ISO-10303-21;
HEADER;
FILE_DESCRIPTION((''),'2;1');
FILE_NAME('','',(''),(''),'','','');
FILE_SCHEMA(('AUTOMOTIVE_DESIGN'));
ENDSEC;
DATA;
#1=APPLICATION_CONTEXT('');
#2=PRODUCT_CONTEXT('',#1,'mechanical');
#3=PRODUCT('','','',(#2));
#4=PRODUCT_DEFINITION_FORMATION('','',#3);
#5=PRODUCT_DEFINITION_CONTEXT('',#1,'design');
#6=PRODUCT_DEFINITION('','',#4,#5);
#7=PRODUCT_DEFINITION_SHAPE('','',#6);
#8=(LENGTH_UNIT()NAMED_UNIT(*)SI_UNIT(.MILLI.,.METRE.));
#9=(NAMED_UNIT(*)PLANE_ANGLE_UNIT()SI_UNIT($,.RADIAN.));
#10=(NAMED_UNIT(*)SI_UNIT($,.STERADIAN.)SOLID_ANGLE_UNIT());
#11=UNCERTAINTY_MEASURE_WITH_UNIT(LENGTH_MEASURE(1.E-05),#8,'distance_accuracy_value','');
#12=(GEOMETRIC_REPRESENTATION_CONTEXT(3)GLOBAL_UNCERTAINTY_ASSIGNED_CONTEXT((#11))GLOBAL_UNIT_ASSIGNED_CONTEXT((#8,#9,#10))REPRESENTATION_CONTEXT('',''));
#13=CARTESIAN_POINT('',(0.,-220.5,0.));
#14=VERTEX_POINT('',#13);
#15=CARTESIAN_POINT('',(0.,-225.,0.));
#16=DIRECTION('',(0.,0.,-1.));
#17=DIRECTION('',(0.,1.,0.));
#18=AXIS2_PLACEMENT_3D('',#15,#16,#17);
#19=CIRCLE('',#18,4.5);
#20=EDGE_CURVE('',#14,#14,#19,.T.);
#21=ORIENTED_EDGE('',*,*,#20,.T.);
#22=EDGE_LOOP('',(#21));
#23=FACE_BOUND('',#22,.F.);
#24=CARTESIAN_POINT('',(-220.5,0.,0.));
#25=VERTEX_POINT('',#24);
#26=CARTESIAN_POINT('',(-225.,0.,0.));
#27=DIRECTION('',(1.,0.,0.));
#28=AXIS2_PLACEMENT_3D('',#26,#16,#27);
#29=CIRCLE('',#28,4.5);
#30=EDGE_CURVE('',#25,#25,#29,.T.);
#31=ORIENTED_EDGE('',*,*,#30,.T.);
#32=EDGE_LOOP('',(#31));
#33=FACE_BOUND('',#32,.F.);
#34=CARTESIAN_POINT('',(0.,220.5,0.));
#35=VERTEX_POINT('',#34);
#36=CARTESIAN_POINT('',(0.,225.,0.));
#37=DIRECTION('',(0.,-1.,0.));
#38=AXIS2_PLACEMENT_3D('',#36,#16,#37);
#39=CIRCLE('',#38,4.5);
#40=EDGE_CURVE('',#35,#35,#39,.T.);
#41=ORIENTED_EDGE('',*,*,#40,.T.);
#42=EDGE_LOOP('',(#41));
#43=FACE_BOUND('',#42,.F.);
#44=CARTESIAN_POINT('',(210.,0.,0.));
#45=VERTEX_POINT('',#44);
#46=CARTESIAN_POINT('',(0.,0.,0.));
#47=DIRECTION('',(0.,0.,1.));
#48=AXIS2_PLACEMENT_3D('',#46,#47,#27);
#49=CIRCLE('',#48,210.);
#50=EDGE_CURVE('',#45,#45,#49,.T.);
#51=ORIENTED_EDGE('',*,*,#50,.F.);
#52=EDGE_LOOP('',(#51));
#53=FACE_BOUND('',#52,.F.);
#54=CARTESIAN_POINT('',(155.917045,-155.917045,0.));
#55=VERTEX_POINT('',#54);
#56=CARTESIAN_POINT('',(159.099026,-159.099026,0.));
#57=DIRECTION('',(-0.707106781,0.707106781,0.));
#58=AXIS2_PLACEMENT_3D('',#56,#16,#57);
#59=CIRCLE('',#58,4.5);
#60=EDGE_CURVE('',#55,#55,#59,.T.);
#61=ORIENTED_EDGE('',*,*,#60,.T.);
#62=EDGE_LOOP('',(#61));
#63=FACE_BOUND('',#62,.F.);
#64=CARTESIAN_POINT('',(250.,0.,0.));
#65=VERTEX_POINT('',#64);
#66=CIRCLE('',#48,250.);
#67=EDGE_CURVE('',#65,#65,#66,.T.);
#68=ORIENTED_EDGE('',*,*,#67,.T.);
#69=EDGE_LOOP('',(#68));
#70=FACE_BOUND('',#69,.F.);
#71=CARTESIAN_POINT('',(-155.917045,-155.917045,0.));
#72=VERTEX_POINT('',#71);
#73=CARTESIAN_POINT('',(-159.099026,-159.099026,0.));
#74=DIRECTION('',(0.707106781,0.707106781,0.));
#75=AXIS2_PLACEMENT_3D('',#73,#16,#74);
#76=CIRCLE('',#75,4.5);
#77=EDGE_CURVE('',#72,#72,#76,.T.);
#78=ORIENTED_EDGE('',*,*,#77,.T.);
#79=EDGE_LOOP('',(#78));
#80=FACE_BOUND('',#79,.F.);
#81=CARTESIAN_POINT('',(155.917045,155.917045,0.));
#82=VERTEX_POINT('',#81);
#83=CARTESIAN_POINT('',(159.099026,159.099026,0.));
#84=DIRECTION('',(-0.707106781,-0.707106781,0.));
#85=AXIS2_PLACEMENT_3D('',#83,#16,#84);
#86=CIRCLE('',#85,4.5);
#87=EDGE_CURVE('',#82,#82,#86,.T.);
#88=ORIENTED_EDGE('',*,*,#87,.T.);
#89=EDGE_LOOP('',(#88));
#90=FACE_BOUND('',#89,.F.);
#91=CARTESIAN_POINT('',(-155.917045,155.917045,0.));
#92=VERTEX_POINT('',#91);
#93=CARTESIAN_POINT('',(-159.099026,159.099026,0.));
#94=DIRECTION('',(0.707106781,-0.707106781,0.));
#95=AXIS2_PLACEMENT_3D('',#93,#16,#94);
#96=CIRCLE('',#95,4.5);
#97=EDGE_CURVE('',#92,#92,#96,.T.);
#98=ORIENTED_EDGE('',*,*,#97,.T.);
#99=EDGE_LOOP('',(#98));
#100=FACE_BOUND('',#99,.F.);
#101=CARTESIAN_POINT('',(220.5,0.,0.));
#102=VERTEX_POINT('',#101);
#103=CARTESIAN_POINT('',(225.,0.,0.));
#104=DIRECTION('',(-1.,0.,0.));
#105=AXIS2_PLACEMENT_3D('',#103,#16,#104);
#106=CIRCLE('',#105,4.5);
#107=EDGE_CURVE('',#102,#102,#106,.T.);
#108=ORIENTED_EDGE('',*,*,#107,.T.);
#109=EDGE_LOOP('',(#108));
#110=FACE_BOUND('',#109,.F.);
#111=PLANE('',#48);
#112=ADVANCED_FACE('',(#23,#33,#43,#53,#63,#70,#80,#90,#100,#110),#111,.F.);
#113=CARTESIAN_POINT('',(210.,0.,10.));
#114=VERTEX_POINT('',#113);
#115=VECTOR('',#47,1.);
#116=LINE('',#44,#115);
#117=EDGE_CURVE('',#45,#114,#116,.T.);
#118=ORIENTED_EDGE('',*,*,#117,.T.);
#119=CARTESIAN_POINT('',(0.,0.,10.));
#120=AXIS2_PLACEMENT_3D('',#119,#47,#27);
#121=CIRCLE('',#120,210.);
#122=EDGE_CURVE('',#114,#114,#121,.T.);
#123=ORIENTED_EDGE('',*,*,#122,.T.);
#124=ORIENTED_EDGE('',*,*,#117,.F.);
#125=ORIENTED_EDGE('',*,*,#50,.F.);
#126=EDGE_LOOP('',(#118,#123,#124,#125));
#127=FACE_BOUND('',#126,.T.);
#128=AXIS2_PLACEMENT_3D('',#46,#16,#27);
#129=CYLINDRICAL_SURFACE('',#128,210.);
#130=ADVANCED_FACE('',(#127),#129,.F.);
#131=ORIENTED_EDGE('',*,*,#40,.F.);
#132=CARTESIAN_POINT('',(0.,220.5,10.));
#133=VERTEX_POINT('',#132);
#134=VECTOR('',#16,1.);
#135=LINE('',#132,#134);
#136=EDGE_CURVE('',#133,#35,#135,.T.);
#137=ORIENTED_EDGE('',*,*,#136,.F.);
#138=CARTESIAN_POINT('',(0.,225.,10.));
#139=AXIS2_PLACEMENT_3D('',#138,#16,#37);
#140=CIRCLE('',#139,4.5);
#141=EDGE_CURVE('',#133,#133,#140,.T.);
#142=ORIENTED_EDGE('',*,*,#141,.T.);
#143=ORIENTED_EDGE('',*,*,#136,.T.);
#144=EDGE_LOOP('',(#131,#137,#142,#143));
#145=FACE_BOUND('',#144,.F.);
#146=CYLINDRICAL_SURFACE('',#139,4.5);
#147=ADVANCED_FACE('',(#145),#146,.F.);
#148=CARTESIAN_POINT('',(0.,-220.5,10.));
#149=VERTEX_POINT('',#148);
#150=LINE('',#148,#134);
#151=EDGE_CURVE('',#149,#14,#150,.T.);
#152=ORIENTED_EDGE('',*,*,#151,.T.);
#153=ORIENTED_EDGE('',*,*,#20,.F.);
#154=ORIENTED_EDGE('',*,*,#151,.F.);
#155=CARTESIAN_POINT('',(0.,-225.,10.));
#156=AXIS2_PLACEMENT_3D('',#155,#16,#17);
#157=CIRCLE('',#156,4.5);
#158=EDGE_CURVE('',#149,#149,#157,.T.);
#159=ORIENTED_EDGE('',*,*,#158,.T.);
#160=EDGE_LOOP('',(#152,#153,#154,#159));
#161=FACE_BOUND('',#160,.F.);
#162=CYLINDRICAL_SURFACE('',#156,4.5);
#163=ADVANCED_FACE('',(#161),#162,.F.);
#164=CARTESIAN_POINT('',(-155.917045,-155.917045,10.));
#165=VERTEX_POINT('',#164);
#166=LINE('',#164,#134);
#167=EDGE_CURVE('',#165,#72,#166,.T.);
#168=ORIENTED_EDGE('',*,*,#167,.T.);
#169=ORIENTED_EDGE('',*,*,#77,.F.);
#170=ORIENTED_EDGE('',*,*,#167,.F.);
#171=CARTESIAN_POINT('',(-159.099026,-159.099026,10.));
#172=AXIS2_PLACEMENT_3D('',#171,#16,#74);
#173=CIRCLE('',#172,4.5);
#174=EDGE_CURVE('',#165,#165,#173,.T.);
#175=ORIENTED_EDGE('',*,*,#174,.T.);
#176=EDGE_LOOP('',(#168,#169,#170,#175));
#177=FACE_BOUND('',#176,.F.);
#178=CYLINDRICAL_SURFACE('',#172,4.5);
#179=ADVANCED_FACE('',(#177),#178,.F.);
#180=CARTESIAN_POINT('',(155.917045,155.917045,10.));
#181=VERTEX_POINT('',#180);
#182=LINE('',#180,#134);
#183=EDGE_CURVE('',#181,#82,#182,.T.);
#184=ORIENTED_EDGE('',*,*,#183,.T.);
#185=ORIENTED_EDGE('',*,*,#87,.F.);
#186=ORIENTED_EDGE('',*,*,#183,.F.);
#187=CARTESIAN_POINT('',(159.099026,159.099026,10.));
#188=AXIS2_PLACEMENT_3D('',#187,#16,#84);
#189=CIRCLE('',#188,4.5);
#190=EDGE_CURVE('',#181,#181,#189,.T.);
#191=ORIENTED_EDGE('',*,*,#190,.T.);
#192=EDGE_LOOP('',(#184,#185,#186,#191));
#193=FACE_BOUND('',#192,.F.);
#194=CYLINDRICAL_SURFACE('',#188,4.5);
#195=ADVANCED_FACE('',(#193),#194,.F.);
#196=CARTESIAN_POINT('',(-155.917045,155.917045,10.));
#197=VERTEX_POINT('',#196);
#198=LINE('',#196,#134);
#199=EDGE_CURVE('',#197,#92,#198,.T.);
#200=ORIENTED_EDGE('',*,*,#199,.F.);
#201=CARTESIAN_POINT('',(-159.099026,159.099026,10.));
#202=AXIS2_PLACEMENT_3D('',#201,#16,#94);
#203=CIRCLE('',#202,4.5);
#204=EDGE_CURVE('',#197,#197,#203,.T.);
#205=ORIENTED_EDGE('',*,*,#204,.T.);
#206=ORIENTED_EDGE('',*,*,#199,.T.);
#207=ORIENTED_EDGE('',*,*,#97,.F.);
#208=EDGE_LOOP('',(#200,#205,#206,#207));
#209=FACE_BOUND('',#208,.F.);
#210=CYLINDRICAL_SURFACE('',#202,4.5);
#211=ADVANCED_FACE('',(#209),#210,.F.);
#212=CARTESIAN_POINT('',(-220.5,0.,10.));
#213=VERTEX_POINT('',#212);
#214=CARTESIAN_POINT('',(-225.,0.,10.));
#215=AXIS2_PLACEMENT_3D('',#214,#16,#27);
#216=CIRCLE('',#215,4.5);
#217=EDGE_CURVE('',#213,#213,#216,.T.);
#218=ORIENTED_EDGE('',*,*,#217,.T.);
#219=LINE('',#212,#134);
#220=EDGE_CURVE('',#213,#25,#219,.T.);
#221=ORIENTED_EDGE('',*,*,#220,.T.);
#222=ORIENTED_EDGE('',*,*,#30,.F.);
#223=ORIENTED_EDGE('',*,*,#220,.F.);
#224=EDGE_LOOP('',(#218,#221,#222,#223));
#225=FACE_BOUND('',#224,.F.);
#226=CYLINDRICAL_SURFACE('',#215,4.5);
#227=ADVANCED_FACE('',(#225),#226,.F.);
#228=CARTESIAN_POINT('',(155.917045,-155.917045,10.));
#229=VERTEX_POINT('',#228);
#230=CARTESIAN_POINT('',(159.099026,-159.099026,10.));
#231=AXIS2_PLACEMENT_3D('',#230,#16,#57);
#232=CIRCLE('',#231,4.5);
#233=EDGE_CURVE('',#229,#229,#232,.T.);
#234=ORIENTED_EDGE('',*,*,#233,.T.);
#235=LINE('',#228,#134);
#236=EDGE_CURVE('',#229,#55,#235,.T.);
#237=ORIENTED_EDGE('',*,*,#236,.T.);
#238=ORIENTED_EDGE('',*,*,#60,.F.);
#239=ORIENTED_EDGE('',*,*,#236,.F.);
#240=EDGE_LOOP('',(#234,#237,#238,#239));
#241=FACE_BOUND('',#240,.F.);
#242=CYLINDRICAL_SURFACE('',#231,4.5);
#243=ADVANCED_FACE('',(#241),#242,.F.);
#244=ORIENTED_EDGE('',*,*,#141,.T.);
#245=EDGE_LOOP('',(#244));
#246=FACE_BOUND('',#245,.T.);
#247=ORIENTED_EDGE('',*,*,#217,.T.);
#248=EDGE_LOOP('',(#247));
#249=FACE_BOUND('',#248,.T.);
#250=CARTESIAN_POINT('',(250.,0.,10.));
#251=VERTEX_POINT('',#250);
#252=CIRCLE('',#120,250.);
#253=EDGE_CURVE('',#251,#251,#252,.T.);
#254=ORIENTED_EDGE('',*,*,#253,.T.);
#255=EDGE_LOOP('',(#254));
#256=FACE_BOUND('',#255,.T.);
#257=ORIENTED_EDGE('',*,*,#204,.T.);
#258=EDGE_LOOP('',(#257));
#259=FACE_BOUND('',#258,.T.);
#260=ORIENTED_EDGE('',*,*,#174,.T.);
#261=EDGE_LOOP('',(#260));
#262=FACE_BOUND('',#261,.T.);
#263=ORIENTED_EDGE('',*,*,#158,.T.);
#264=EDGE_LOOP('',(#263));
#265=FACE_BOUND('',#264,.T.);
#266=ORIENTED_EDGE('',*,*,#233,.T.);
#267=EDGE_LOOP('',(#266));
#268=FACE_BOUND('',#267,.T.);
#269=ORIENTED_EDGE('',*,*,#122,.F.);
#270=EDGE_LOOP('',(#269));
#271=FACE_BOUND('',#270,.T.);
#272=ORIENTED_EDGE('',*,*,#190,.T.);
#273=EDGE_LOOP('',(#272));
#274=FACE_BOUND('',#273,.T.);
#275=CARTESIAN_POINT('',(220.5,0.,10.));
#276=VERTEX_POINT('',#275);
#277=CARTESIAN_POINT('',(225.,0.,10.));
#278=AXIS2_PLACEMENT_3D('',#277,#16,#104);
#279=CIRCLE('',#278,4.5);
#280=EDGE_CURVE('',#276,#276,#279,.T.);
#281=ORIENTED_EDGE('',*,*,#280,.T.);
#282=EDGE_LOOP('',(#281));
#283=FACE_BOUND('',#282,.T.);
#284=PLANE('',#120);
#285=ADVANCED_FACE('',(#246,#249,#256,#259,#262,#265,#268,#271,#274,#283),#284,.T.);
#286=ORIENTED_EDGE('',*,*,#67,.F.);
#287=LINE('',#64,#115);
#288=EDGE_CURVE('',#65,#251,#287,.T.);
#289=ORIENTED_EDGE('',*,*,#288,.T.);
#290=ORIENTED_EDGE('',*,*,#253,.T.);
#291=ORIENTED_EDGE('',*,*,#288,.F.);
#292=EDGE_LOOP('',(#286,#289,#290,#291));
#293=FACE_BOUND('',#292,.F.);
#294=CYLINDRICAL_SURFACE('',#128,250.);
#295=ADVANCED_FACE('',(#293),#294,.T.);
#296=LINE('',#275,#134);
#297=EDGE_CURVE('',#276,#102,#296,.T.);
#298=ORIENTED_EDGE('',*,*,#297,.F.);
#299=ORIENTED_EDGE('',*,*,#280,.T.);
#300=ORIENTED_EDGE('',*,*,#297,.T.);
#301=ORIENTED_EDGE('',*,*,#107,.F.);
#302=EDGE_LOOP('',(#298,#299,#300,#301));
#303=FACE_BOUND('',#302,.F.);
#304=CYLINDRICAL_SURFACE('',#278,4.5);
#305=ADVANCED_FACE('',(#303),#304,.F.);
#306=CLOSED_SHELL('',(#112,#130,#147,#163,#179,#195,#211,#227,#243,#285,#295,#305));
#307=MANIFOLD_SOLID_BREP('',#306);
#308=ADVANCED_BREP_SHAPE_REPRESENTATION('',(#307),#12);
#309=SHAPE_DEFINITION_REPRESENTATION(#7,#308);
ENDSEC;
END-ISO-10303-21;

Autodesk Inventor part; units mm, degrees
ref_plane "YZ Plane" through (0, 0, 0) normal (1, 0, 0) x (0, 1, 0)
ref_plane "XZ Plane" through (0, 0, 0) normal (0, 1, 0) x (-1, 0, 0)
ref_plane "XY Plane" through (0, 0, 0) normal (0, 0, 1) x (1, 0, 0)
sketch "Sketch1" plane through (0, 0, 0) normal (0, 0, 1) x (1, 0, 0)
  circle A0 centre (0, 0) radius 250
  circle A1 centre (0, 0) radius 210
  dimension "d0" = 500
  dimension "d1" = 420
extrude "Extrusion1" add sketch "Sketch1" along normal blind 10
sketch "Sketch2" plane through (0, 0, 10) normal (0, 0, 1) x (1, 0, 0)
  circle A0 centre (0, 0) radius 225 construction
  circle A1 centre (0, 0) radius 210 projected
  point P0 (0, 225)
  dimension "d4" = 450
hole "Hole1" at (0, 225, 10) direction (0, 0, -1) diameter 9 end through all
pattern_circular "Circular Pattern1" count 8 over 360 about axis through (0, 0, 0) along (0, 0, 1) of "Hole1"
properties part number "Кольцо проект Алексенко"
